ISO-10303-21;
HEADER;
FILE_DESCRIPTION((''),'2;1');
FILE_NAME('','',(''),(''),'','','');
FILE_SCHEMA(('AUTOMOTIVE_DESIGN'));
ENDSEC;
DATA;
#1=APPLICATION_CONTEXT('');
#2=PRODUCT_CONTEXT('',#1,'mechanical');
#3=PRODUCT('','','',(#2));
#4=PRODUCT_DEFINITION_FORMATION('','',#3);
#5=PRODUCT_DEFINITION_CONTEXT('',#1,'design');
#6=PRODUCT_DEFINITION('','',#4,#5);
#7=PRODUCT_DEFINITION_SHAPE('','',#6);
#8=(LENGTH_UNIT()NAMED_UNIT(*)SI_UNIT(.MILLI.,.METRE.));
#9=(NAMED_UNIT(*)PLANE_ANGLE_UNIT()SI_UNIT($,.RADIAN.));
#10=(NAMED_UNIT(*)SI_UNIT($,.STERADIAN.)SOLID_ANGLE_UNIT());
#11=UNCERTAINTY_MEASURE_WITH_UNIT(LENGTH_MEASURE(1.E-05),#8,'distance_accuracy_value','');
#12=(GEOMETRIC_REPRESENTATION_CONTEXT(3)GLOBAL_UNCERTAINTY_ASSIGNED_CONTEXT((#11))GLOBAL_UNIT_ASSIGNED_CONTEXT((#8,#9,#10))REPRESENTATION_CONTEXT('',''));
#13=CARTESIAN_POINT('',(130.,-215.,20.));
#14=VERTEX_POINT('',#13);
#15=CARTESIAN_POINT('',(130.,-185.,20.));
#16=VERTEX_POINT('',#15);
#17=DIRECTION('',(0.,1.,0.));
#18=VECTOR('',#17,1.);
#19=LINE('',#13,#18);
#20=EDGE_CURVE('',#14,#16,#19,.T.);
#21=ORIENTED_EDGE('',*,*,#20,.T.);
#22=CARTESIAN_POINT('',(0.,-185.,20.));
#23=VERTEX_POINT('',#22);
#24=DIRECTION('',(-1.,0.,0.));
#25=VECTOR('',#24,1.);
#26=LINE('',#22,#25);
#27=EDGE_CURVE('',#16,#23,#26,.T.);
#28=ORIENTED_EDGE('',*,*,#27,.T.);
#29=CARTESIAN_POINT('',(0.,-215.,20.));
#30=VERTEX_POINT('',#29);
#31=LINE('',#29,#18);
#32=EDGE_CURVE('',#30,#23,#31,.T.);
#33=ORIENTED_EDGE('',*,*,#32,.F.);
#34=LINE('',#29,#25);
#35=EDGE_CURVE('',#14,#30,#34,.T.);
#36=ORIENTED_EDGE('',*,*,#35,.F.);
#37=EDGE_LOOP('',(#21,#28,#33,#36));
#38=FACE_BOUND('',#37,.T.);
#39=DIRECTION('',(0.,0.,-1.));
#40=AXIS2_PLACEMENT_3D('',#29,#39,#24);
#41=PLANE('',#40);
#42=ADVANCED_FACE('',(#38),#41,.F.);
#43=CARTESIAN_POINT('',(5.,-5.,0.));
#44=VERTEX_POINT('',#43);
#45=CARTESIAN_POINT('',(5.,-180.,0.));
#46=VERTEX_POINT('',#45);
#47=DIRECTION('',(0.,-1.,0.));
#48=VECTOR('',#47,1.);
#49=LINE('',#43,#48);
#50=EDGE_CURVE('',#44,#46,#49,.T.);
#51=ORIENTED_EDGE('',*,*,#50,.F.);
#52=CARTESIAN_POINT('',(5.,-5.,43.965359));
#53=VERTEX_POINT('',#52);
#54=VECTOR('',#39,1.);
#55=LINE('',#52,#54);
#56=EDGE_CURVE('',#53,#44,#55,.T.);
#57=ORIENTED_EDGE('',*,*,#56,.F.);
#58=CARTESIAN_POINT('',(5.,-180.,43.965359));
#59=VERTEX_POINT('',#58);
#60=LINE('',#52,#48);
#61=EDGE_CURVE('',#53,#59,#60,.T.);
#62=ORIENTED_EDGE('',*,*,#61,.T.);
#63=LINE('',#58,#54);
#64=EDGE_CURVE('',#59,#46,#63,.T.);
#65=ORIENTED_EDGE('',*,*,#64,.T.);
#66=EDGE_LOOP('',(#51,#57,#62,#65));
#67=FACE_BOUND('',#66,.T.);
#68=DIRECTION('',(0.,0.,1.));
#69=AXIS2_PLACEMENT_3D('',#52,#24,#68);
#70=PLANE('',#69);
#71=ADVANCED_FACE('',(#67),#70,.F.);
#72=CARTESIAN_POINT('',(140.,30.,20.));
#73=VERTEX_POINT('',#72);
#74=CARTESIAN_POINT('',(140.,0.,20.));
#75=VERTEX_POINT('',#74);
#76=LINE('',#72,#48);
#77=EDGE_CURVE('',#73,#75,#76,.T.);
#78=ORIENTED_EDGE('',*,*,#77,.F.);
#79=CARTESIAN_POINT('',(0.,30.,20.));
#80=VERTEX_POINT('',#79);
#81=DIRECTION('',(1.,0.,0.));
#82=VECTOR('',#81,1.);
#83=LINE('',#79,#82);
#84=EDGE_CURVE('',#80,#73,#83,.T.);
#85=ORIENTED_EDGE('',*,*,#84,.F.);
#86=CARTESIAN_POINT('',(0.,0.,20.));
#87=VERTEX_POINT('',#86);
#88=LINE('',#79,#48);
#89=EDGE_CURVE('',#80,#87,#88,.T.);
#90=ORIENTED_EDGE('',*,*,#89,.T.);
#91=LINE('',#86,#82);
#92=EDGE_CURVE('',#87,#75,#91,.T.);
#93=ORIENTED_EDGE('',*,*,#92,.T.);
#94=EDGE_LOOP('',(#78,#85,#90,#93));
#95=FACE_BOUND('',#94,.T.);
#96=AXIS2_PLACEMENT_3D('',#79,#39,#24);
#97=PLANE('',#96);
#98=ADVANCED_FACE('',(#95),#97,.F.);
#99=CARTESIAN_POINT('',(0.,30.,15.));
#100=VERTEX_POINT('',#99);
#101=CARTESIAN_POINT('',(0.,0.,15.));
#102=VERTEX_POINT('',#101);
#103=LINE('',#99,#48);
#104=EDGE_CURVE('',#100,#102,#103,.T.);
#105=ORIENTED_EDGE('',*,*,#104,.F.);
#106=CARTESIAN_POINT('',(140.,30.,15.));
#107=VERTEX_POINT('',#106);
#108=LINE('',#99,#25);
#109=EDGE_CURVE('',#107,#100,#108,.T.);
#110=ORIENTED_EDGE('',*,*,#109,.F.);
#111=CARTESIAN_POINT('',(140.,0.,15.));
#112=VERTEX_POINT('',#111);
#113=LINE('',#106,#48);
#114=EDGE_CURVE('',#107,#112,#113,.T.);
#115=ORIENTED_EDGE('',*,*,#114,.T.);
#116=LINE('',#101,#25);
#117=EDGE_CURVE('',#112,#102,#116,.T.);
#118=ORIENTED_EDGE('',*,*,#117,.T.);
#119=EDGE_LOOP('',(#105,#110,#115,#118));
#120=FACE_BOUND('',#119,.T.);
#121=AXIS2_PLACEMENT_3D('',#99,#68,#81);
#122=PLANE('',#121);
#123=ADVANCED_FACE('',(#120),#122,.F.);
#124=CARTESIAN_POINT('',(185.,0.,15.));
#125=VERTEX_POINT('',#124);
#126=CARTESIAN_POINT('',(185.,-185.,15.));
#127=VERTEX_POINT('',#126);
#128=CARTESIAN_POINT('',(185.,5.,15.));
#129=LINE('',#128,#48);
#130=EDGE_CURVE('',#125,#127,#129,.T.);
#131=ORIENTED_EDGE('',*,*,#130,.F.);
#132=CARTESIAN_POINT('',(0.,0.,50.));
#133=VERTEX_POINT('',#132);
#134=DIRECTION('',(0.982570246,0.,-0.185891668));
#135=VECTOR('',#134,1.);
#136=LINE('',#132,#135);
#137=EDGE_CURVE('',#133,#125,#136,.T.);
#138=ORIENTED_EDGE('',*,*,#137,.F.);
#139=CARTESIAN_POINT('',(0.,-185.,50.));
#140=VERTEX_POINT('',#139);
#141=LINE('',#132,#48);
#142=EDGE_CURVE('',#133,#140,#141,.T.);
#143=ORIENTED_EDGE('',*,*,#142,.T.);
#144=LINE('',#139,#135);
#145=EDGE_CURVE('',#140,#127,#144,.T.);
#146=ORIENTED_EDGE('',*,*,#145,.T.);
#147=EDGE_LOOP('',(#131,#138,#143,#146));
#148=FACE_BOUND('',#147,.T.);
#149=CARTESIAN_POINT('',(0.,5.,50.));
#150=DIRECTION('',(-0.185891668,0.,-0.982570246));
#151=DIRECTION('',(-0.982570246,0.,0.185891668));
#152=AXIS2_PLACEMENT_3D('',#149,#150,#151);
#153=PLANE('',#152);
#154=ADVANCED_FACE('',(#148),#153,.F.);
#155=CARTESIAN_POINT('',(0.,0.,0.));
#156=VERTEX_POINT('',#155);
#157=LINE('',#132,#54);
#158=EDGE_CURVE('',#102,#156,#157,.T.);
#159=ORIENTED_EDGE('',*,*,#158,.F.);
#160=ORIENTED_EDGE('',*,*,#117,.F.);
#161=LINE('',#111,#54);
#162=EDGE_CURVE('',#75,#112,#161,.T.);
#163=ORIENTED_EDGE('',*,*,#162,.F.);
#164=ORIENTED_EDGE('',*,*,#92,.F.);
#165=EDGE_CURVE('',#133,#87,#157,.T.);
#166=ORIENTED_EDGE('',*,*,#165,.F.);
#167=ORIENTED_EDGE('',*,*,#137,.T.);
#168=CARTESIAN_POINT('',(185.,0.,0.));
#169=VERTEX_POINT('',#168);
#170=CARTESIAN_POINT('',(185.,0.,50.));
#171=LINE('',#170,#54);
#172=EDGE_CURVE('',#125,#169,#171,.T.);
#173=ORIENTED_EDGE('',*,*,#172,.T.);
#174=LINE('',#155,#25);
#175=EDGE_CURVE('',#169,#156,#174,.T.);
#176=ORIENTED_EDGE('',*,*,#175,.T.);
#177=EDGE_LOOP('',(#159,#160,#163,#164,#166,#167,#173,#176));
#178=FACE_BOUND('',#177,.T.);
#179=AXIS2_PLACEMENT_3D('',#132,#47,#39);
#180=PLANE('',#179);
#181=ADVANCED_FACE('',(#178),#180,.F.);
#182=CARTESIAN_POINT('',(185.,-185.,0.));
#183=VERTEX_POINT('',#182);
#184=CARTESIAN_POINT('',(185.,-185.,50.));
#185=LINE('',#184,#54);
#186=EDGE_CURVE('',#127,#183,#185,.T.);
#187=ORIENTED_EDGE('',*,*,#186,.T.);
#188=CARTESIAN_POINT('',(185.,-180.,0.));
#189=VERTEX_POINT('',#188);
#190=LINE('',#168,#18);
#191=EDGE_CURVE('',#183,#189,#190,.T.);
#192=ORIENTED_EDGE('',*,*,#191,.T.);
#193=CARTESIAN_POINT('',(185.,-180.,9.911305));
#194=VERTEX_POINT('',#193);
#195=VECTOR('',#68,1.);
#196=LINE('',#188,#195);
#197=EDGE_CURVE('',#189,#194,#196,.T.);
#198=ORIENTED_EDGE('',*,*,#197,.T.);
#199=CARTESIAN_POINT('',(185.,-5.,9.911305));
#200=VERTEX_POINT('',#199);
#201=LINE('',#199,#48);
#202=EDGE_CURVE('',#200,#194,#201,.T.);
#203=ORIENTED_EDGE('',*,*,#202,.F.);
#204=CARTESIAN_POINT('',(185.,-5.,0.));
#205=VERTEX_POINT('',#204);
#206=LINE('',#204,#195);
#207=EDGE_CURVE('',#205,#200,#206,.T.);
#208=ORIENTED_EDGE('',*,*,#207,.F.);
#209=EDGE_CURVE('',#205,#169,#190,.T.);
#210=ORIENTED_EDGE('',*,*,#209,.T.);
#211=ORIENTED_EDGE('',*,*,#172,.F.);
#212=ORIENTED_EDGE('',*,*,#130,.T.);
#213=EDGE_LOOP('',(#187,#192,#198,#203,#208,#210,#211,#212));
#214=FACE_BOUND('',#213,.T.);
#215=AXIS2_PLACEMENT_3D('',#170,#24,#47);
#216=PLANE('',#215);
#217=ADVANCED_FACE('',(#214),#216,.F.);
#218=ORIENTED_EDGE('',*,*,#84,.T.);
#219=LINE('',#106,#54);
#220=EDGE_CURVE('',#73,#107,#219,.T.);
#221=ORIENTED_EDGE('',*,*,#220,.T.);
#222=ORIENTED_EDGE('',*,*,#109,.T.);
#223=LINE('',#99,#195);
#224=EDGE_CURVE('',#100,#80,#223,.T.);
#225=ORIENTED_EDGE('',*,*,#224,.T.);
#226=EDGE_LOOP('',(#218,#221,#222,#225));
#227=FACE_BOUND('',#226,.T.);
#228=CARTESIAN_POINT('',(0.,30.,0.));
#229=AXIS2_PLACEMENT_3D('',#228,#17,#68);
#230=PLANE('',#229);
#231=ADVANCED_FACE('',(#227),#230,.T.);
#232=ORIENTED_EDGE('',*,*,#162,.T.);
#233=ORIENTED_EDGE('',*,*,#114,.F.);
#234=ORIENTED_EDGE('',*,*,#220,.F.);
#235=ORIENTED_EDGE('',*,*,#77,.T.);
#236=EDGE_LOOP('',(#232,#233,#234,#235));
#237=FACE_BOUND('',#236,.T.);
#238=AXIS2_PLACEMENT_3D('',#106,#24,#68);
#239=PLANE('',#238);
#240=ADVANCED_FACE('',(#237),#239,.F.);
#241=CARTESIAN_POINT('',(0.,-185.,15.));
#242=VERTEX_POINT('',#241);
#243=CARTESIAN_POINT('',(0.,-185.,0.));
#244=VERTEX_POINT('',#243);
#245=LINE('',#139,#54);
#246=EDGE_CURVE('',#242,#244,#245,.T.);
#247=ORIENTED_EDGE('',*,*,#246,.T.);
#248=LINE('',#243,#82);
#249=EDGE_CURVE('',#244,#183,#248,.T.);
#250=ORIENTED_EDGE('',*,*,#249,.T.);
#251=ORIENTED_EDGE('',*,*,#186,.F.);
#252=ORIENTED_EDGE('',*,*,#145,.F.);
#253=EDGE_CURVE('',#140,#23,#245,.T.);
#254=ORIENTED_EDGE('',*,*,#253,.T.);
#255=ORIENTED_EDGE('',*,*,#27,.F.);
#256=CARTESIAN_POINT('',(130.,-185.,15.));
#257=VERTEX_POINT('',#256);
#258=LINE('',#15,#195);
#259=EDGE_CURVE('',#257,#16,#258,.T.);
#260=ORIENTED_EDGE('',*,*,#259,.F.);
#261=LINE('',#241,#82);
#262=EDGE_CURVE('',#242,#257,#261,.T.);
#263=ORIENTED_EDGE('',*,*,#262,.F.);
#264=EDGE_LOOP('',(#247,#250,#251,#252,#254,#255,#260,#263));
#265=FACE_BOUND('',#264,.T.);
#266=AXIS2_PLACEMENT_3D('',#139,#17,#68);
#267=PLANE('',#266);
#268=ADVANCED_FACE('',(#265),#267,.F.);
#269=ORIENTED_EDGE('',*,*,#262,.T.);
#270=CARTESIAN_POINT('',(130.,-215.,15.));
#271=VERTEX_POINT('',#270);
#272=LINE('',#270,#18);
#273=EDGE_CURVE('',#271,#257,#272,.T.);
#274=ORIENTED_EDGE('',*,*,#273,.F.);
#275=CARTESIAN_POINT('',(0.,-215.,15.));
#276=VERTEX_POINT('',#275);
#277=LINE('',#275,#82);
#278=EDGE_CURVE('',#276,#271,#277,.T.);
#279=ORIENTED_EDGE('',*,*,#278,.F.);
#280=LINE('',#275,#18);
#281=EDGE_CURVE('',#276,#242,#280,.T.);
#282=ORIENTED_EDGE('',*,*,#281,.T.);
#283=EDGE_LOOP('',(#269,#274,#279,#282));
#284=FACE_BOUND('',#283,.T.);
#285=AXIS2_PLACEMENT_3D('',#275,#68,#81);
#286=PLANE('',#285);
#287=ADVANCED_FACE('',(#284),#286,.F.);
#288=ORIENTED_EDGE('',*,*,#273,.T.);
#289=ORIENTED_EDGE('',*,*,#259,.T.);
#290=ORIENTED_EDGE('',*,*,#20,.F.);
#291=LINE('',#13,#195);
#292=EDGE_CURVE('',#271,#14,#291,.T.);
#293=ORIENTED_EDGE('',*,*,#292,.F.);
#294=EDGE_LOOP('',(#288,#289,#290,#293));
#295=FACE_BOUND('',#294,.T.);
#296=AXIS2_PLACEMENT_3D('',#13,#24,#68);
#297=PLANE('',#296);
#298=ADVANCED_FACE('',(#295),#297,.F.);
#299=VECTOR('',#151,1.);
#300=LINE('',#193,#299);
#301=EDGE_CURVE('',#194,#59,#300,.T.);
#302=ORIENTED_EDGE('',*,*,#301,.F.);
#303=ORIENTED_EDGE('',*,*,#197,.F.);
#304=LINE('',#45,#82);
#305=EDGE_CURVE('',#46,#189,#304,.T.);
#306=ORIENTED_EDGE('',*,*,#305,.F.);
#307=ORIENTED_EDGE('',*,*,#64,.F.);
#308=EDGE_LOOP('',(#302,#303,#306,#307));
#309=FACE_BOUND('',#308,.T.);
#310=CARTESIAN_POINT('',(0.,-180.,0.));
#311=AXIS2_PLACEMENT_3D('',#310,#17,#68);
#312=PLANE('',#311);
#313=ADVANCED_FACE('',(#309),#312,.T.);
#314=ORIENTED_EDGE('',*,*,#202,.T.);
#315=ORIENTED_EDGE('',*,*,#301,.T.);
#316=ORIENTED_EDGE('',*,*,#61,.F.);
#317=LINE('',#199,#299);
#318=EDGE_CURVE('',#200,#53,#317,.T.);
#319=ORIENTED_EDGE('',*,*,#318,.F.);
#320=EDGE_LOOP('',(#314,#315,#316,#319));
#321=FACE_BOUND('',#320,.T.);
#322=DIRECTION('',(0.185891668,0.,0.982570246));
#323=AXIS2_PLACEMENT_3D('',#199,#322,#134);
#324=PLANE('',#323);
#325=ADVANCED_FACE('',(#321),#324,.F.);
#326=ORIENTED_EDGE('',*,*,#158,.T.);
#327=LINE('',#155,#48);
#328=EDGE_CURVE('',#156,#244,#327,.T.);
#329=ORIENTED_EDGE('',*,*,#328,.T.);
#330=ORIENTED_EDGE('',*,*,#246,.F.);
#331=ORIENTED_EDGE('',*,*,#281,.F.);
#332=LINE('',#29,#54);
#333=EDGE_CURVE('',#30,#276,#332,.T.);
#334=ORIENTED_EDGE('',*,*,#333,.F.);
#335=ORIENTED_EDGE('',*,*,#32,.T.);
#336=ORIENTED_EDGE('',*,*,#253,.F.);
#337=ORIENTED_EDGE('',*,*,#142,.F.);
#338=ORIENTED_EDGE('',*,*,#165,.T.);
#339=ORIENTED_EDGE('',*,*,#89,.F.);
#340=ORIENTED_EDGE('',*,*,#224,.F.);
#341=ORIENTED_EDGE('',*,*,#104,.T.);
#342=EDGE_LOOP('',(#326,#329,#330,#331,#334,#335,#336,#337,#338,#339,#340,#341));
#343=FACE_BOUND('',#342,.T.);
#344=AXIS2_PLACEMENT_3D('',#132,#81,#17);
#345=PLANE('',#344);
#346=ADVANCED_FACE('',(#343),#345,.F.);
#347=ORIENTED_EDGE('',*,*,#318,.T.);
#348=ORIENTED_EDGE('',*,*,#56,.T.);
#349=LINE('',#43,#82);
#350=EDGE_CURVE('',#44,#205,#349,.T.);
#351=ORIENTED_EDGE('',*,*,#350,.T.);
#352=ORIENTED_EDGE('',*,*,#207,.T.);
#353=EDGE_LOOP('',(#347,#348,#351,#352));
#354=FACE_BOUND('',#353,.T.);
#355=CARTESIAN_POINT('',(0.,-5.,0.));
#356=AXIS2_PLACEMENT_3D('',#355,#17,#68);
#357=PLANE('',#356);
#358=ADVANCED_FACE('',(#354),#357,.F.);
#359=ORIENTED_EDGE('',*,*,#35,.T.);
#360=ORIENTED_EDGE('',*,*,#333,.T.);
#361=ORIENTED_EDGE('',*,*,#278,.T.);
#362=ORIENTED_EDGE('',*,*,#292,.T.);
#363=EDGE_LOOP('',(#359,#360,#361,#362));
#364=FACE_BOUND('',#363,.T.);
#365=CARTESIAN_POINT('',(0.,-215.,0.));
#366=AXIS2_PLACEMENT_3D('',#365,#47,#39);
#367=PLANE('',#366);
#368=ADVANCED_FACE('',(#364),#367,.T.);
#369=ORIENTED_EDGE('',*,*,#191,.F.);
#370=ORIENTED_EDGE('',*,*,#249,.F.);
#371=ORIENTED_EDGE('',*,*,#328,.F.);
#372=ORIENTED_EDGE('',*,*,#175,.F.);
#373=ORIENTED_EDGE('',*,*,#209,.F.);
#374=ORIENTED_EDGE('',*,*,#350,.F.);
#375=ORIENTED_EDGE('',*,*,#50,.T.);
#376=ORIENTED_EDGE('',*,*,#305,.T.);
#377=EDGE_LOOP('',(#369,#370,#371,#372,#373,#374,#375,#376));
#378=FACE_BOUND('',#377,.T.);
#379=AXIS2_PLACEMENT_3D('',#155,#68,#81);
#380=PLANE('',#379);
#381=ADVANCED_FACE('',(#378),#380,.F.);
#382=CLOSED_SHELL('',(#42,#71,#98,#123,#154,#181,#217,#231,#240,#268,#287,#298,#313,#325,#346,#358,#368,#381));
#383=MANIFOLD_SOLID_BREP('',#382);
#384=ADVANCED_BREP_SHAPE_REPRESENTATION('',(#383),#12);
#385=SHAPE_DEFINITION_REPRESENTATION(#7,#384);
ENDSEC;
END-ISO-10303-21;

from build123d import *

# Parameters (mm, degrees)
SKETCH1_W           = 185
SKETCH1_H           = 185
BOSS_EXTRUDE1_DEPTH = 50
CUT_EXTRUDE1_DEPTH  = 190
CUT_EXTRUDE3_START  = -5
CUT_EXTRUDE3_DEPTH  = 175
SKETCH10_W          = 130
SKETCH10_H          = 5
BOSS_EXTRUDE2_DEPTH = 30
SKETCH11_W          = 140
SKETCH11_H          = 5
BOSS_EXTRUDE3_DEPTH = 30


with BuildPart() as part:
    # Sketch1 → Boss-Extrude1 (new body)
    with BuildSketch(Plane.XY):
        with Locations((92.5, -92.5)):
            Rectangle(SKETCH1_W, SKETCH1_H)
    extrude(amount=BOSS_EXTRUDE1_DEPTH)

    # Sketch8 → Cut-Extrude1 (cut)
    with BuildSketch(Plane.XZ.offset(185)):
        Polygon((0, 50), (185, 15), (185, 50), align=None)
    extrude(amount=-CUT_EXTRUDE1_DEPTH, mode=Mode.SUBTRACT)

    # Sketch9 → Cut-Extrude3 (cut)
    with BuildSketch(Plane.XZ.offset(185).offset(CUT_EXTRUDE3_START)):
        Polygon((185, 9.911305302), (5, 43.965359356), (5, 0), (185, 0), align=None)
    extrude(amount=-CUT_EXTRUDE3_DEPTH, mode=Mode.SUBTRACT)

    # Sketch10 → Boss-Extrude2 (add)
    with BuildSketch(Plane.XZ.offset(185)):
        with Locations((65, 17.5)):
            Rectangle(SKETCH10_W, SKETCH10_H)
    extrude(amount=BOSS_EXTRUDE2_DEPTH)

    # Sketch11 → Boss-Extrude3 (add)
    with BuildSketch(Plane(origin=(0, 0, 0), x_dir=(1, 0, 0), z_dir=(0, 1, 0))):
        with Locations((70, -17.5)):
            Rectangle(SKETCH11_W, SKETCH11_H)
    extrude(amount=BOSS_EXTRUDE3_DEPTH)


solid = part.part
